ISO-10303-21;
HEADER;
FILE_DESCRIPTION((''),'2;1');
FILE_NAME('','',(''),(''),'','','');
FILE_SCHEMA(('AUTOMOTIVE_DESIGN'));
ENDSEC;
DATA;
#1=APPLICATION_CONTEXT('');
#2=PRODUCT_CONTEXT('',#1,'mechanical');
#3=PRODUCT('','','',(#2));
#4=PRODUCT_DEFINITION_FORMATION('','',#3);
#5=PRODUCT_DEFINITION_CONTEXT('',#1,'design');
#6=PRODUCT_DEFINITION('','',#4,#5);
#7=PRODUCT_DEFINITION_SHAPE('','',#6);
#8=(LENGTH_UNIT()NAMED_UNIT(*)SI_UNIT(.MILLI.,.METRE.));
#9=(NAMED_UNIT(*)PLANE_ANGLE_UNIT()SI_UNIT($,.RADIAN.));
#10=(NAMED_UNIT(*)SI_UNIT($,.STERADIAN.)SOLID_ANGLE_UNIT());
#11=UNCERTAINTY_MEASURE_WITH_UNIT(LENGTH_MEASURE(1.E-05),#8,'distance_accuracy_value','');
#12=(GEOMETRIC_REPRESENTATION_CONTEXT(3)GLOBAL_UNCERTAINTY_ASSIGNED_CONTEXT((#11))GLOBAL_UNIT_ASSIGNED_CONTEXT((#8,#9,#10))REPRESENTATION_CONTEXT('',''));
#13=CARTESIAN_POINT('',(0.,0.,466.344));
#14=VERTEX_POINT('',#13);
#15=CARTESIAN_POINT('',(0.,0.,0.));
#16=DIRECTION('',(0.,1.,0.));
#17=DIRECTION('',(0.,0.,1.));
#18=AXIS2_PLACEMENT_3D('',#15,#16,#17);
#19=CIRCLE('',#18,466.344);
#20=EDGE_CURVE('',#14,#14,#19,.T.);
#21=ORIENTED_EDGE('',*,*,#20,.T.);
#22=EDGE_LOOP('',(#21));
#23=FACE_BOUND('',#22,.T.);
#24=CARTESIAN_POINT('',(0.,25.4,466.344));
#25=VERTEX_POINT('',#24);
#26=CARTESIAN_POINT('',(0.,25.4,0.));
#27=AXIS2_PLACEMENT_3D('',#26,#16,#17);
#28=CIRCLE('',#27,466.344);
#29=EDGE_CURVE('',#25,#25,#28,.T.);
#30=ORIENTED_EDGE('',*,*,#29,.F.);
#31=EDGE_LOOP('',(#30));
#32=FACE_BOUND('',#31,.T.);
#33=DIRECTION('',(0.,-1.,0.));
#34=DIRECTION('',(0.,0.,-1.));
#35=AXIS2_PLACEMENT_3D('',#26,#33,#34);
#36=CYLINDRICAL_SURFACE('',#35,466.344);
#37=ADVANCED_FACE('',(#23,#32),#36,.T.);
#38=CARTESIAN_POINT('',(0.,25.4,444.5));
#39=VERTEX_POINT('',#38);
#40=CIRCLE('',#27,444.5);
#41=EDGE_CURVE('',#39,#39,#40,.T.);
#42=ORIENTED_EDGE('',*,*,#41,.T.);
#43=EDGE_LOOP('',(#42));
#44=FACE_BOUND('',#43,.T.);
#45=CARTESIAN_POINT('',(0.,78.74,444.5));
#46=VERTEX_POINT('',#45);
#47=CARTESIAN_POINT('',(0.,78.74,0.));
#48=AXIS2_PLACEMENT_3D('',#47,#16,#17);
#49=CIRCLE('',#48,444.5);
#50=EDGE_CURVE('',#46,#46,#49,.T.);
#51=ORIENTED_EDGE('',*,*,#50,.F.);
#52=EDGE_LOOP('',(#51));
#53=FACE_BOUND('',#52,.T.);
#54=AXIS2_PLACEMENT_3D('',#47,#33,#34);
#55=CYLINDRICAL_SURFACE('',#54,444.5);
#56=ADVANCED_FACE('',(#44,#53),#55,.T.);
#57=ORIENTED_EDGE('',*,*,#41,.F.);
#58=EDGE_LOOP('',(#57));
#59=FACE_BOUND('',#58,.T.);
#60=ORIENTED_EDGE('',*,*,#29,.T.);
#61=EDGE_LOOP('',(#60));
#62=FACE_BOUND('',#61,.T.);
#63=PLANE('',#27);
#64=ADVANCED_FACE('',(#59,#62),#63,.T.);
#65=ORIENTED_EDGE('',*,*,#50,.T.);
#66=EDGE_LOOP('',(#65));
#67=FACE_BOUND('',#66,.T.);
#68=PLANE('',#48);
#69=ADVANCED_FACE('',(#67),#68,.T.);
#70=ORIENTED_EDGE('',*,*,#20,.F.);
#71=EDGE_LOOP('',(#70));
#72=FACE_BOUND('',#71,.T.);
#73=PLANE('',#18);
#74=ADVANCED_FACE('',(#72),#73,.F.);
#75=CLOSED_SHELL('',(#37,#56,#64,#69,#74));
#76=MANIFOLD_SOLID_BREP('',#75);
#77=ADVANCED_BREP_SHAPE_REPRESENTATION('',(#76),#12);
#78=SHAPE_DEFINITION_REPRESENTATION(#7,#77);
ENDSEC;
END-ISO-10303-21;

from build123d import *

# Parameters (mm, degrees)
SKETCH1_R      = 466.344
EXTRUDE1_DEPTH = 25.4
SKETCH2_R      = 444.5
EXTRUDE2_DEPTH = 53.34


with BuildPart() as part:
    # Sketch1 → Extrude1 (new body)
    with BuildSketch(Plane(origin=(0, 0, 0), x_dir=(1, 0, 0), z_dir=(0, 1, 0))):
        with Locations(Location((0, 0, 0), (0, 0, 270))):  # turned: the seam where the file's is
            Circle(SKETCH1_R)
    extrude(amount=EXTRUDE1_DEPTH)

    # Sketch2 → Extrude2 (add)
    with BuildSketch(Plane(origin=(0, 25.4, 0), x_dir=(1, 0, 0), z_dir=(0, 1, 0))):
        with Locations(Location((0, 0, 0), (0, 0, 270))):  # turned: the seam where the file's is
            Circle(SKETCH2_R)
    extrude(amount=EXTRUDE2_DEPTH)


solid = part.part
